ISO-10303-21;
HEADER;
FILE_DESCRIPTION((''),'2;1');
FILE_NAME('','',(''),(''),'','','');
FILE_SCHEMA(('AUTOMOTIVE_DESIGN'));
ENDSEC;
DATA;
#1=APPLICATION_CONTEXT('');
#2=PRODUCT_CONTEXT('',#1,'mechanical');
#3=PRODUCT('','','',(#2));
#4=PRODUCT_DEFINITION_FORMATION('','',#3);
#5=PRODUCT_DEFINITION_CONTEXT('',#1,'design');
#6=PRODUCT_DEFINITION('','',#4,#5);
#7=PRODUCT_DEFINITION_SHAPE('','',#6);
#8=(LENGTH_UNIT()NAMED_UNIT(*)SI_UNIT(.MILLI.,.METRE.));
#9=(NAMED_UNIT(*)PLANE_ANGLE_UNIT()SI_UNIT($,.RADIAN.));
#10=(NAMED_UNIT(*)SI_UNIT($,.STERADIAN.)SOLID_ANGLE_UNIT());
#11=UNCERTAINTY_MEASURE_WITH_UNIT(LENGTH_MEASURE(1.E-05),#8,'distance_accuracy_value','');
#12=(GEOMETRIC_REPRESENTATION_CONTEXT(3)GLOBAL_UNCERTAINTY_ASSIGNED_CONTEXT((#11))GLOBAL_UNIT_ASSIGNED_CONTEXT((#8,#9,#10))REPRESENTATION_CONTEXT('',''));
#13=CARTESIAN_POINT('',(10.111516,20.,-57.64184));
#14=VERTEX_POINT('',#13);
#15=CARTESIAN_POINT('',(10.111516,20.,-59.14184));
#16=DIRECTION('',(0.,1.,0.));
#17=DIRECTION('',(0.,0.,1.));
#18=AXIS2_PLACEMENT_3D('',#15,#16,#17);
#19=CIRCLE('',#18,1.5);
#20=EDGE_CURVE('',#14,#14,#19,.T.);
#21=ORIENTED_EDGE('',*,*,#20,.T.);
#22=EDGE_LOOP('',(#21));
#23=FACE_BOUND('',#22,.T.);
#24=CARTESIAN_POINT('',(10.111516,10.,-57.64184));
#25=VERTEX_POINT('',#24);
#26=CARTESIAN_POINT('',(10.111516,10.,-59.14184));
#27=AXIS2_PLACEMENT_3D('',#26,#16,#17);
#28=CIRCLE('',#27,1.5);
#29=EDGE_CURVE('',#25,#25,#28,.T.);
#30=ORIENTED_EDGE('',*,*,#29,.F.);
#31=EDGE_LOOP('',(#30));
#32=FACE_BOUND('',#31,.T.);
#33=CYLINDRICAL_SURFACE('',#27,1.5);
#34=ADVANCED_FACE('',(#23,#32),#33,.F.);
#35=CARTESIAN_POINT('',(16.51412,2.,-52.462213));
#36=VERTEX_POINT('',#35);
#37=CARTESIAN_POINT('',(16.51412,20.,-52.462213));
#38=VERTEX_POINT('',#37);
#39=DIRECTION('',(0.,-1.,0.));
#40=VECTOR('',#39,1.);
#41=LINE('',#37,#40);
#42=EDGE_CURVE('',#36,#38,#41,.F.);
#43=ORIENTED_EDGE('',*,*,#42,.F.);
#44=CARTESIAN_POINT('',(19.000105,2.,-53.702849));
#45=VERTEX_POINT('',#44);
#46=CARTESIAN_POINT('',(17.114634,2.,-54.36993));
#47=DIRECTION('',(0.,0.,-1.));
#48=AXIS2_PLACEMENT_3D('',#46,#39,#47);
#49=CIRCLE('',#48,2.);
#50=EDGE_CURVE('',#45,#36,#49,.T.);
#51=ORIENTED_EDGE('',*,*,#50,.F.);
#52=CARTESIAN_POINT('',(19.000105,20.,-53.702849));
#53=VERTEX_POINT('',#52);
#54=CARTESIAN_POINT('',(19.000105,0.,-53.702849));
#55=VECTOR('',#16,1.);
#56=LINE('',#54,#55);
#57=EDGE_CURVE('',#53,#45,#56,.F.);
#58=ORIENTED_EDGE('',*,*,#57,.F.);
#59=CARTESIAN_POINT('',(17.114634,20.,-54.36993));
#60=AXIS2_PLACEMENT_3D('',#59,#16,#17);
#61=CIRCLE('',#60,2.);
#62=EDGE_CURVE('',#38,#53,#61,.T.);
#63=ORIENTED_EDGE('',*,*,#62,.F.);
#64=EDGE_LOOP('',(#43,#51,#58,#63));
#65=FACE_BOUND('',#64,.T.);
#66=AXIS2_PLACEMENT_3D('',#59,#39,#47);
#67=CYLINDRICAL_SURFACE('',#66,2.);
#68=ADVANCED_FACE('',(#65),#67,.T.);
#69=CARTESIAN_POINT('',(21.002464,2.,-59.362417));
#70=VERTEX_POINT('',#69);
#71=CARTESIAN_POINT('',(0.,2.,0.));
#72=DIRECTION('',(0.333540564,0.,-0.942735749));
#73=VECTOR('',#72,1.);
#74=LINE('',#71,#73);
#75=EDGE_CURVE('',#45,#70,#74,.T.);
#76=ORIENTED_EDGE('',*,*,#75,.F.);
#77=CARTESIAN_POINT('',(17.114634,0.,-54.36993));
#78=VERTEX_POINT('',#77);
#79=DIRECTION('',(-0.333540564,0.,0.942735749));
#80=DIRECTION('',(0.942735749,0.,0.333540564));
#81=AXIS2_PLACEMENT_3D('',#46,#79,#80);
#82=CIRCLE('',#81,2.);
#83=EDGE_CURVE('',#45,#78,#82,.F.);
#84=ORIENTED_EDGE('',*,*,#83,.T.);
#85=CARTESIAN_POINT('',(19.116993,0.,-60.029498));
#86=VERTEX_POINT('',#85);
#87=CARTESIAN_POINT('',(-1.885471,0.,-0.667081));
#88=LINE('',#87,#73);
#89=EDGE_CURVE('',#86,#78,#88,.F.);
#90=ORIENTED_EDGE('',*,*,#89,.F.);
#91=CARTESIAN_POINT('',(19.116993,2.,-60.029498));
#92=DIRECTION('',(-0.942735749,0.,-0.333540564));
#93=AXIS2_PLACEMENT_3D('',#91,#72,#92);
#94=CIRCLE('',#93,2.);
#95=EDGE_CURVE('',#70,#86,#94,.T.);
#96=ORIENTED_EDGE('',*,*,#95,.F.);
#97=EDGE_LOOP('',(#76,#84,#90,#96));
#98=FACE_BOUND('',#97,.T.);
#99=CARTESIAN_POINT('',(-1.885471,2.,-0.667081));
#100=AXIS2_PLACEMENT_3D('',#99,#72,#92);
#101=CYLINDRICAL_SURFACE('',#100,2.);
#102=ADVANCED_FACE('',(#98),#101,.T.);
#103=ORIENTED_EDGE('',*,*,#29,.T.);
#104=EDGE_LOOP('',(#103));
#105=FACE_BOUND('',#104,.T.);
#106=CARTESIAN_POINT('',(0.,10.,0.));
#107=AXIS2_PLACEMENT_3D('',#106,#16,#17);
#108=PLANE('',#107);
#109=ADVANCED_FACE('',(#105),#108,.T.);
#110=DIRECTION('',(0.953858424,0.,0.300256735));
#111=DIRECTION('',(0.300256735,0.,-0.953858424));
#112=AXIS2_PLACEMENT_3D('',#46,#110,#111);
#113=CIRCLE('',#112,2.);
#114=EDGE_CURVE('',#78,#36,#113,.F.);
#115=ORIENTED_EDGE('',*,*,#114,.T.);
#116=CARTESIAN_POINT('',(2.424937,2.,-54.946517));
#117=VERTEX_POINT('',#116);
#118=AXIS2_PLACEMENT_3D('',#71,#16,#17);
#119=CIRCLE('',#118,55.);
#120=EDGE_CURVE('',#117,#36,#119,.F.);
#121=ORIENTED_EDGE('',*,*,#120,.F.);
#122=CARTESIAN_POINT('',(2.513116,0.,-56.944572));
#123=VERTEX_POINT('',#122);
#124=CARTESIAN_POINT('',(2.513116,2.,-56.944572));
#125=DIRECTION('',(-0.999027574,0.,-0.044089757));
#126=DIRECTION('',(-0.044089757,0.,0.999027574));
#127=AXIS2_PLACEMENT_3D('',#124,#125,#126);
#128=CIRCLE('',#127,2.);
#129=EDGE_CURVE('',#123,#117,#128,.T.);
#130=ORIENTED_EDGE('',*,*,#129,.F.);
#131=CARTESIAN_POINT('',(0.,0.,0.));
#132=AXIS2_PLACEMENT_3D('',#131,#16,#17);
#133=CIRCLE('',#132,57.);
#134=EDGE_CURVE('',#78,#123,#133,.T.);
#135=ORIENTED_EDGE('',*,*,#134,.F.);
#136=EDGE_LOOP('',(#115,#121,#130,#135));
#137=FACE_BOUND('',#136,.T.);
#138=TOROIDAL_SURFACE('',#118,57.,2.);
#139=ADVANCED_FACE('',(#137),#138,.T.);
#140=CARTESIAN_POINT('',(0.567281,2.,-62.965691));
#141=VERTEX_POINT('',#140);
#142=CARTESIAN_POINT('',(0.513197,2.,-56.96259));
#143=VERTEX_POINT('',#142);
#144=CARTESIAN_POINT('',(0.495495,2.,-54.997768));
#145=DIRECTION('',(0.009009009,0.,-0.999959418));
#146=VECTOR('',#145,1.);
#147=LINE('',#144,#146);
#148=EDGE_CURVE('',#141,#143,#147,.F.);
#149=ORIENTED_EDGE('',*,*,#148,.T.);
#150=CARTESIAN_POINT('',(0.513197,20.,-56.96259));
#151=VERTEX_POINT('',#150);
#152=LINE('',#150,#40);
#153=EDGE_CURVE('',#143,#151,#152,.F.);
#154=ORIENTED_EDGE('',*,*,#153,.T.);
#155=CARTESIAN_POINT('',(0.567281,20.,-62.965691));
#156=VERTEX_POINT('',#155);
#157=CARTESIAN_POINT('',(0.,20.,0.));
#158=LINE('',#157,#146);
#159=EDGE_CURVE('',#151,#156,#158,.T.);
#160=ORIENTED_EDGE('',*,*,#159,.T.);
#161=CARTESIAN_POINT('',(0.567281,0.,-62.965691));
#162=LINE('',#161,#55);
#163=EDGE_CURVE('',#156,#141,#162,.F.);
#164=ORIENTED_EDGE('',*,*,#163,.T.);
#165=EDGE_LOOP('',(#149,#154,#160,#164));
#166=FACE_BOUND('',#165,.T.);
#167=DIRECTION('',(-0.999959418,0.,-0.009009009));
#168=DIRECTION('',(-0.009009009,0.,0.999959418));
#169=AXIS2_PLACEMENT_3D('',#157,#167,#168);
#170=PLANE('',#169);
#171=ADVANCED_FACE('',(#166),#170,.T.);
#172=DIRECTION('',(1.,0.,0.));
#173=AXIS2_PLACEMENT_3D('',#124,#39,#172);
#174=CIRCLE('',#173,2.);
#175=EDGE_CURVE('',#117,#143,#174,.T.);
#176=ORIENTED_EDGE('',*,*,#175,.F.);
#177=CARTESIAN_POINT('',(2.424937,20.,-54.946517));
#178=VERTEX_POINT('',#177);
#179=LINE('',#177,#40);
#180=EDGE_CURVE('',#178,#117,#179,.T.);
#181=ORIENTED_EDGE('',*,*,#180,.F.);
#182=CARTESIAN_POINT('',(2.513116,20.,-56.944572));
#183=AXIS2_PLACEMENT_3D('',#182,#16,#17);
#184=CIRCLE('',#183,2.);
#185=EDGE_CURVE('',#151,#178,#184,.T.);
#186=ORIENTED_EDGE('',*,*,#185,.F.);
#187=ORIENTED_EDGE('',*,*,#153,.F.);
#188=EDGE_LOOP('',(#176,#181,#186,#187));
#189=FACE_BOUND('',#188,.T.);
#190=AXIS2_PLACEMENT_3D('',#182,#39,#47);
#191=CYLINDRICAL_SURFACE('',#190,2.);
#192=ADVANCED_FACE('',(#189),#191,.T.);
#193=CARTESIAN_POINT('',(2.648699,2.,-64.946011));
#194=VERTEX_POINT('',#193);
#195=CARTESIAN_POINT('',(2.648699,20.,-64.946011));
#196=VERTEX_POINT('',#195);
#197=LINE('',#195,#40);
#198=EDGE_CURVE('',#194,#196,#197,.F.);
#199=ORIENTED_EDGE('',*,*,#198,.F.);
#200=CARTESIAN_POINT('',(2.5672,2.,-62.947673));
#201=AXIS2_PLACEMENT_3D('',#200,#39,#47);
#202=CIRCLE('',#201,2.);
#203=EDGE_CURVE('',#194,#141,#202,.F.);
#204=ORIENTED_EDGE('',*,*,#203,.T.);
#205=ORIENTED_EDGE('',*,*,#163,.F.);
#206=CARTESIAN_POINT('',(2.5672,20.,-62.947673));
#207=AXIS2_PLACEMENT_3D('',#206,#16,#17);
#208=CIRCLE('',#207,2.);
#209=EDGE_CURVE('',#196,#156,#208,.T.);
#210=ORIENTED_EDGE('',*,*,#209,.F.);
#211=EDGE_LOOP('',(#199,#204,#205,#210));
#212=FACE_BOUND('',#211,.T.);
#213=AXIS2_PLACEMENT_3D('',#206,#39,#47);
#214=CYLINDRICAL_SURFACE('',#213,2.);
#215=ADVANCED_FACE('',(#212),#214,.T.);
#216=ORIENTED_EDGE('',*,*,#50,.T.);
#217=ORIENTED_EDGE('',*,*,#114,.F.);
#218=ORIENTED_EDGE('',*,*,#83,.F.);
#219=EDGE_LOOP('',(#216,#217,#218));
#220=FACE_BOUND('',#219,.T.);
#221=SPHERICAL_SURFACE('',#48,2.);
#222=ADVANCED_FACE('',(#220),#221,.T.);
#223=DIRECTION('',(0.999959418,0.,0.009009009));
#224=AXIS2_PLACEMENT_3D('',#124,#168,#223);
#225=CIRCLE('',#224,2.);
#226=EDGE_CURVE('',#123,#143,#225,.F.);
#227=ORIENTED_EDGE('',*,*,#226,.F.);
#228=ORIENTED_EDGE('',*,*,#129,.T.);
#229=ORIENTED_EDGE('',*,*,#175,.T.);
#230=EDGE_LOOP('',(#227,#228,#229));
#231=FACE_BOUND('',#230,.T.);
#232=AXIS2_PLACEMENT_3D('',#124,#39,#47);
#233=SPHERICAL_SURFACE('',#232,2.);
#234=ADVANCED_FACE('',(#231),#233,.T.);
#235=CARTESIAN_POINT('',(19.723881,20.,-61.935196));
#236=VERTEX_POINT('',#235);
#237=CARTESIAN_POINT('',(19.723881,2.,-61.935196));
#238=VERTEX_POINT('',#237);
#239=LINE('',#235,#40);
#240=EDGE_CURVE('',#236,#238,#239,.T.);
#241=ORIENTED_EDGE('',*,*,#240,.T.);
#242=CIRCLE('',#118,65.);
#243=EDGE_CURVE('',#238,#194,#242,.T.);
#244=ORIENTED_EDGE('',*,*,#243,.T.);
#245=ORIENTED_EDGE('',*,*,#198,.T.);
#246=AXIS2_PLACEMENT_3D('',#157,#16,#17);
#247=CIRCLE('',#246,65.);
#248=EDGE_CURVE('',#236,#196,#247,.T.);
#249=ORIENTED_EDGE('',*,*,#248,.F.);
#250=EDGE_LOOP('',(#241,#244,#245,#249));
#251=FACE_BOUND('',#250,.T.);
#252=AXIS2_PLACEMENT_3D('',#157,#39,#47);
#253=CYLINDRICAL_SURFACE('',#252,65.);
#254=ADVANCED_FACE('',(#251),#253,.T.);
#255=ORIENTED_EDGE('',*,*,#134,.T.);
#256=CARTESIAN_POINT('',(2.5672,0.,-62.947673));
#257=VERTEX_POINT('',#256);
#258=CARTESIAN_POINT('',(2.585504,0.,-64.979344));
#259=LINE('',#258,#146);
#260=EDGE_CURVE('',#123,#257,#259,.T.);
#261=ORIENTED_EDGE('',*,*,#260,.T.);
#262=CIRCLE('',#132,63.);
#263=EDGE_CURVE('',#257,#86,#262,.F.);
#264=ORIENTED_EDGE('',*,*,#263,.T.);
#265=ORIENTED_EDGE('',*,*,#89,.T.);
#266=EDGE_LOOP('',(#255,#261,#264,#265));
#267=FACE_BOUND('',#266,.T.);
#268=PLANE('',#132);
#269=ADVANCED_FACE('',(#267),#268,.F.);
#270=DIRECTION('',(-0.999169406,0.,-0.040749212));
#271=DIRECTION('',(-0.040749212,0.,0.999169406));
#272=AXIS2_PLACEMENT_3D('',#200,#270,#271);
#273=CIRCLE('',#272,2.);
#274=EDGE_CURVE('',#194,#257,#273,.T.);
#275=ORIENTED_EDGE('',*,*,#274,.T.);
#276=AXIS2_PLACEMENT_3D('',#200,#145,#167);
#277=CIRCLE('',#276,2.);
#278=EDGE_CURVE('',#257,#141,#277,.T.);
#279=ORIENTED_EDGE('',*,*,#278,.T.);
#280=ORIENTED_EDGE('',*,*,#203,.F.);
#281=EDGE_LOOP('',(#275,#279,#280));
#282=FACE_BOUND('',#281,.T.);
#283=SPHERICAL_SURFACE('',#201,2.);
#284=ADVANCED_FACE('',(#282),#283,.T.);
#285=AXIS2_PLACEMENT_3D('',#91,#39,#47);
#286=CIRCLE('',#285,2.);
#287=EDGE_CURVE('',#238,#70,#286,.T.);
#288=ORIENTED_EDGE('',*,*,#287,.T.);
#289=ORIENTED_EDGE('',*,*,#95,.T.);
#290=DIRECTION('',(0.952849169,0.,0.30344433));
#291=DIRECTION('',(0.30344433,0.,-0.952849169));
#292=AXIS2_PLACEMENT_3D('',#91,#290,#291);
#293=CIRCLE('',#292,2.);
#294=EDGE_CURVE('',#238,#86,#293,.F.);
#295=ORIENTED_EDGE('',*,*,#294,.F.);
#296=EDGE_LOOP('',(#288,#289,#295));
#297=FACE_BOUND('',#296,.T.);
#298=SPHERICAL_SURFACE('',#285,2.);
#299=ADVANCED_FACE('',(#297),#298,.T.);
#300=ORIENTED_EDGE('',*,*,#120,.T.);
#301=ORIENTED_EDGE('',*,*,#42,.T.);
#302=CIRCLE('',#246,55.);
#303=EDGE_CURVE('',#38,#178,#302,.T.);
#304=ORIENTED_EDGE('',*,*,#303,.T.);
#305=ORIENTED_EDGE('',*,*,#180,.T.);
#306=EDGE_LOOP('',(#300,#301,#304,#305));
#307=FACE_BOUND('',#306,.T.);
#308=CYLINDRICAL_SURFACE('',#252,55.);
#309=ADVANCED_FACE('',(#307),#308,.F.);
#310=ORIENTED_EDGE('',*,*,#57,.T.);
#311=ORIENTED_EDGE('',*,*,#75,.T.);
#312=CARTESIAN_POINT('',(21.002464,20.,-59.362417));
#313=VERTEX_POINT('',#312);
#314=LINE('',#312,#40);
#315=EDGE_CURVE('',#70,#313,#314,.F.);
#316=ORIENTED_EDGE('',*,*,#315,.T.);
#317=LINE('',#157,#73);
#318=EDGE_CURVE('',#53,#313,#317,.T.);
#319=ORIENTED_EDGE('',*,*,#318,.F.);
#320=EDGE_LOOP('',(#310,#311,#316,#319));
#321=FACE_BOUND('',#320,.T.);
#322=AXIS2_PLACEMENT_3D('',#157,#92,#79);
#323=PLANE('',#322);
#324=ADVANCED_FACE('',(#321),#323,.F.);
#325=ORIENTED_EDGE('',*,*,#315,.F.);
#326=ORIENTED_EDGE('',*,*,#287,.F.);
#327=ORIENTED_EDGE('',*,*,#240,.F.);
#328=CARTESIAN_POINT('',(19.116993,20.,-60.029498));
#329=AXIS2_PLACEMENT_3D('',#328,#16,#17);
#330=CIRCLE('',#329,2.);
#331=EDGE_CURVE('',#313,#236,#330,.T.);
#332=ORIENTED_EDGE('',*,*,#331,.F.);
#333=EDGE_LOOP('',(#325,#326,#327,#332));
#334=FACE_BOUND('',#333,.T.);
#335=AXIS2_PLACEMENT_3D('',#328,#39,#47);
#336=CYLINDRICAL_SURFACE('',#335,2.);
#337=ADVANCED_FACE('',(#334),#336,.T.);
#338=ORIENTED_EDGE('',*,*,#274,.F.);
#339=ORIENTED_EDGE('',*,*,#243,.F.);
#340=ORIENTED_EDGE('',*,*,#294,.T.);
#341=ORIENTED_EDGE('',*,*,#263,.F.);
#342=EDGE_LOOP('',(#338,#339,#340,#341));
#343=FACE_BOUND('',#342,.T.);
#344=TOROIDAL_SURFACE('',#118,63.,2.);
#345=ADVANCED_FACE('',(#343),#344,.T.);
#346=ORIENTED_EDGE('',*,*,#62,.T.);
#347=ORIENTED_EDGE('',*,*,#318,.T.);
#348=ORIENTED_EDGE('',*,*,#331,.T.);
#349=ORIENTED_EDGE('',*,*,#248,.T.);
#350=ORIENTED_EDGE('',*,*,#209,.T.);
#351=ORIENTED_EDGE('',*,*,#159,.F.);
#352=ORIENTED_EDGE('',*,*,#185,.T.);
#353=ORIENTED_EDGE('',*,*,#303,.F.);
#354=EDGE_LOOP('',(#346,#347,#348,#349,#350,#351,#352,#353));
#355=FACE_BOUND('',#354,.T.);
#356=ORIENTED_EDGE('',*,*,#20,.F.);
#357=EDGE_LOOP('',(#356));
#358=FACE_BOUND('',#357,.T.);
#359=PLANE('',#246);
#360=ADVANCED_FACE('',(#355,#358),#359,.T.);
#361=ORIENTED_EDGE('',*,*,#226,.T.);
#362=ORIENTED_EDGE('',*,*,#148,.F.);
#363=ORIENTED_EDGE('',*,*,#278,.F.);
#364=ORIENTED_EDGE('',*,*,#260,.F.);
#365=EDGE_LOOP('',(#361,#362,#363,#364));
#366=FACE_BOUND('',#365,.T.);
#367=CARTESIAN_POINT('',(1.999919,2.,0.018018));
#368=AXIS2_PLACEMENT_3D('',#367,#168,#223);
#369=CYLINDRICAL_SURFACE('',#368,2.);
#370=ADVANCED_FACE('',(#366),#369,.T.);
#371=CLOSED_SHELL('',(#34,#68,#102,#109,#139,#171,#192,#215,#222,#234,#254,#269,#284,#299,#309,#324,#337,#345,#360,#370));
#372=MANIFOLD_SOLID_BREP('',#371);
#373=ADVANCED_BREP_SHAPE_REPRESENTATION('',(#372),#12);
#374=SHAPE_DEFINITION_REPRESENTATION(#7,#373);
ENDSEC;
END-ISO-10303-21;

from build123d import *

# Parameters (mm, degrees)
EXTRUDE_1_DEPTH     = 20
FILLET_1_R          = 2
SKETCH_2_R          = 1.5
CUT_EXTRUDE_1_DEPTH = 10


with BuildPart() as part:
    # 草图1 → 凸台-拉伸1 (new body)
    with BuildSketch(Plane(origin=(0, 0, 0), x_dir=(1, 0, 0), z_dir=(0, 1, 0))):
        with BuildLine():
            Line((0.585585586, 64.997362174), (0.495495495, 54.997767993))
            ThreePointArc((0.495495495, 54.997767993), (9.550649772, 54.164426416), (18.344731031, 51.850466183))
            Line((18.344731031, 51.850466183), (21.680136673, 61.277823671))
            ThreePointArc((21.680136673, 61.277823671), (11.287131548, 64.012503946), (0.585585586, 64.997362174))
        make_face()
    extrude(amount=EXTRUDE_1_DEPTH)

    # 圆角1
    fillet_1_edges = [part.edges().sort_by_distance(p)[0] for p in [
        (9.550649772, 0, -54.164426416),
        (0.540540541, 0, -59.997565083),
        (11.287131548, 0, -64.012503946),
        (20.012433852, 0, -56.564144927),
        (18.344731031, 10, -51.850466183),
        (0.495495495, 10, -54.997767993),
        (0.585585586, 10, -64.997362174),
        (21.680136673, 10, -61.277823671),
    ]]
    fillet(fillet_1_edges, radius=FILLET_1_R)

    # 草图2 → 切除-拉伸1 (cut)
    with BuildSketch(Plane(origin=(0, 20, 0), x_dir=(1, 0, 0), z_dir=(0, 1, 0))):
        with Locations(Location((10.111516208, 59.141840012, 0), (0, 0, 270))):
            Circle(SKETCH_2_R)
    extrude(amount=-CUT_EXTRUDE_1_DEPTH, mode=Mode.SUBTRACT)


solid = part.part
